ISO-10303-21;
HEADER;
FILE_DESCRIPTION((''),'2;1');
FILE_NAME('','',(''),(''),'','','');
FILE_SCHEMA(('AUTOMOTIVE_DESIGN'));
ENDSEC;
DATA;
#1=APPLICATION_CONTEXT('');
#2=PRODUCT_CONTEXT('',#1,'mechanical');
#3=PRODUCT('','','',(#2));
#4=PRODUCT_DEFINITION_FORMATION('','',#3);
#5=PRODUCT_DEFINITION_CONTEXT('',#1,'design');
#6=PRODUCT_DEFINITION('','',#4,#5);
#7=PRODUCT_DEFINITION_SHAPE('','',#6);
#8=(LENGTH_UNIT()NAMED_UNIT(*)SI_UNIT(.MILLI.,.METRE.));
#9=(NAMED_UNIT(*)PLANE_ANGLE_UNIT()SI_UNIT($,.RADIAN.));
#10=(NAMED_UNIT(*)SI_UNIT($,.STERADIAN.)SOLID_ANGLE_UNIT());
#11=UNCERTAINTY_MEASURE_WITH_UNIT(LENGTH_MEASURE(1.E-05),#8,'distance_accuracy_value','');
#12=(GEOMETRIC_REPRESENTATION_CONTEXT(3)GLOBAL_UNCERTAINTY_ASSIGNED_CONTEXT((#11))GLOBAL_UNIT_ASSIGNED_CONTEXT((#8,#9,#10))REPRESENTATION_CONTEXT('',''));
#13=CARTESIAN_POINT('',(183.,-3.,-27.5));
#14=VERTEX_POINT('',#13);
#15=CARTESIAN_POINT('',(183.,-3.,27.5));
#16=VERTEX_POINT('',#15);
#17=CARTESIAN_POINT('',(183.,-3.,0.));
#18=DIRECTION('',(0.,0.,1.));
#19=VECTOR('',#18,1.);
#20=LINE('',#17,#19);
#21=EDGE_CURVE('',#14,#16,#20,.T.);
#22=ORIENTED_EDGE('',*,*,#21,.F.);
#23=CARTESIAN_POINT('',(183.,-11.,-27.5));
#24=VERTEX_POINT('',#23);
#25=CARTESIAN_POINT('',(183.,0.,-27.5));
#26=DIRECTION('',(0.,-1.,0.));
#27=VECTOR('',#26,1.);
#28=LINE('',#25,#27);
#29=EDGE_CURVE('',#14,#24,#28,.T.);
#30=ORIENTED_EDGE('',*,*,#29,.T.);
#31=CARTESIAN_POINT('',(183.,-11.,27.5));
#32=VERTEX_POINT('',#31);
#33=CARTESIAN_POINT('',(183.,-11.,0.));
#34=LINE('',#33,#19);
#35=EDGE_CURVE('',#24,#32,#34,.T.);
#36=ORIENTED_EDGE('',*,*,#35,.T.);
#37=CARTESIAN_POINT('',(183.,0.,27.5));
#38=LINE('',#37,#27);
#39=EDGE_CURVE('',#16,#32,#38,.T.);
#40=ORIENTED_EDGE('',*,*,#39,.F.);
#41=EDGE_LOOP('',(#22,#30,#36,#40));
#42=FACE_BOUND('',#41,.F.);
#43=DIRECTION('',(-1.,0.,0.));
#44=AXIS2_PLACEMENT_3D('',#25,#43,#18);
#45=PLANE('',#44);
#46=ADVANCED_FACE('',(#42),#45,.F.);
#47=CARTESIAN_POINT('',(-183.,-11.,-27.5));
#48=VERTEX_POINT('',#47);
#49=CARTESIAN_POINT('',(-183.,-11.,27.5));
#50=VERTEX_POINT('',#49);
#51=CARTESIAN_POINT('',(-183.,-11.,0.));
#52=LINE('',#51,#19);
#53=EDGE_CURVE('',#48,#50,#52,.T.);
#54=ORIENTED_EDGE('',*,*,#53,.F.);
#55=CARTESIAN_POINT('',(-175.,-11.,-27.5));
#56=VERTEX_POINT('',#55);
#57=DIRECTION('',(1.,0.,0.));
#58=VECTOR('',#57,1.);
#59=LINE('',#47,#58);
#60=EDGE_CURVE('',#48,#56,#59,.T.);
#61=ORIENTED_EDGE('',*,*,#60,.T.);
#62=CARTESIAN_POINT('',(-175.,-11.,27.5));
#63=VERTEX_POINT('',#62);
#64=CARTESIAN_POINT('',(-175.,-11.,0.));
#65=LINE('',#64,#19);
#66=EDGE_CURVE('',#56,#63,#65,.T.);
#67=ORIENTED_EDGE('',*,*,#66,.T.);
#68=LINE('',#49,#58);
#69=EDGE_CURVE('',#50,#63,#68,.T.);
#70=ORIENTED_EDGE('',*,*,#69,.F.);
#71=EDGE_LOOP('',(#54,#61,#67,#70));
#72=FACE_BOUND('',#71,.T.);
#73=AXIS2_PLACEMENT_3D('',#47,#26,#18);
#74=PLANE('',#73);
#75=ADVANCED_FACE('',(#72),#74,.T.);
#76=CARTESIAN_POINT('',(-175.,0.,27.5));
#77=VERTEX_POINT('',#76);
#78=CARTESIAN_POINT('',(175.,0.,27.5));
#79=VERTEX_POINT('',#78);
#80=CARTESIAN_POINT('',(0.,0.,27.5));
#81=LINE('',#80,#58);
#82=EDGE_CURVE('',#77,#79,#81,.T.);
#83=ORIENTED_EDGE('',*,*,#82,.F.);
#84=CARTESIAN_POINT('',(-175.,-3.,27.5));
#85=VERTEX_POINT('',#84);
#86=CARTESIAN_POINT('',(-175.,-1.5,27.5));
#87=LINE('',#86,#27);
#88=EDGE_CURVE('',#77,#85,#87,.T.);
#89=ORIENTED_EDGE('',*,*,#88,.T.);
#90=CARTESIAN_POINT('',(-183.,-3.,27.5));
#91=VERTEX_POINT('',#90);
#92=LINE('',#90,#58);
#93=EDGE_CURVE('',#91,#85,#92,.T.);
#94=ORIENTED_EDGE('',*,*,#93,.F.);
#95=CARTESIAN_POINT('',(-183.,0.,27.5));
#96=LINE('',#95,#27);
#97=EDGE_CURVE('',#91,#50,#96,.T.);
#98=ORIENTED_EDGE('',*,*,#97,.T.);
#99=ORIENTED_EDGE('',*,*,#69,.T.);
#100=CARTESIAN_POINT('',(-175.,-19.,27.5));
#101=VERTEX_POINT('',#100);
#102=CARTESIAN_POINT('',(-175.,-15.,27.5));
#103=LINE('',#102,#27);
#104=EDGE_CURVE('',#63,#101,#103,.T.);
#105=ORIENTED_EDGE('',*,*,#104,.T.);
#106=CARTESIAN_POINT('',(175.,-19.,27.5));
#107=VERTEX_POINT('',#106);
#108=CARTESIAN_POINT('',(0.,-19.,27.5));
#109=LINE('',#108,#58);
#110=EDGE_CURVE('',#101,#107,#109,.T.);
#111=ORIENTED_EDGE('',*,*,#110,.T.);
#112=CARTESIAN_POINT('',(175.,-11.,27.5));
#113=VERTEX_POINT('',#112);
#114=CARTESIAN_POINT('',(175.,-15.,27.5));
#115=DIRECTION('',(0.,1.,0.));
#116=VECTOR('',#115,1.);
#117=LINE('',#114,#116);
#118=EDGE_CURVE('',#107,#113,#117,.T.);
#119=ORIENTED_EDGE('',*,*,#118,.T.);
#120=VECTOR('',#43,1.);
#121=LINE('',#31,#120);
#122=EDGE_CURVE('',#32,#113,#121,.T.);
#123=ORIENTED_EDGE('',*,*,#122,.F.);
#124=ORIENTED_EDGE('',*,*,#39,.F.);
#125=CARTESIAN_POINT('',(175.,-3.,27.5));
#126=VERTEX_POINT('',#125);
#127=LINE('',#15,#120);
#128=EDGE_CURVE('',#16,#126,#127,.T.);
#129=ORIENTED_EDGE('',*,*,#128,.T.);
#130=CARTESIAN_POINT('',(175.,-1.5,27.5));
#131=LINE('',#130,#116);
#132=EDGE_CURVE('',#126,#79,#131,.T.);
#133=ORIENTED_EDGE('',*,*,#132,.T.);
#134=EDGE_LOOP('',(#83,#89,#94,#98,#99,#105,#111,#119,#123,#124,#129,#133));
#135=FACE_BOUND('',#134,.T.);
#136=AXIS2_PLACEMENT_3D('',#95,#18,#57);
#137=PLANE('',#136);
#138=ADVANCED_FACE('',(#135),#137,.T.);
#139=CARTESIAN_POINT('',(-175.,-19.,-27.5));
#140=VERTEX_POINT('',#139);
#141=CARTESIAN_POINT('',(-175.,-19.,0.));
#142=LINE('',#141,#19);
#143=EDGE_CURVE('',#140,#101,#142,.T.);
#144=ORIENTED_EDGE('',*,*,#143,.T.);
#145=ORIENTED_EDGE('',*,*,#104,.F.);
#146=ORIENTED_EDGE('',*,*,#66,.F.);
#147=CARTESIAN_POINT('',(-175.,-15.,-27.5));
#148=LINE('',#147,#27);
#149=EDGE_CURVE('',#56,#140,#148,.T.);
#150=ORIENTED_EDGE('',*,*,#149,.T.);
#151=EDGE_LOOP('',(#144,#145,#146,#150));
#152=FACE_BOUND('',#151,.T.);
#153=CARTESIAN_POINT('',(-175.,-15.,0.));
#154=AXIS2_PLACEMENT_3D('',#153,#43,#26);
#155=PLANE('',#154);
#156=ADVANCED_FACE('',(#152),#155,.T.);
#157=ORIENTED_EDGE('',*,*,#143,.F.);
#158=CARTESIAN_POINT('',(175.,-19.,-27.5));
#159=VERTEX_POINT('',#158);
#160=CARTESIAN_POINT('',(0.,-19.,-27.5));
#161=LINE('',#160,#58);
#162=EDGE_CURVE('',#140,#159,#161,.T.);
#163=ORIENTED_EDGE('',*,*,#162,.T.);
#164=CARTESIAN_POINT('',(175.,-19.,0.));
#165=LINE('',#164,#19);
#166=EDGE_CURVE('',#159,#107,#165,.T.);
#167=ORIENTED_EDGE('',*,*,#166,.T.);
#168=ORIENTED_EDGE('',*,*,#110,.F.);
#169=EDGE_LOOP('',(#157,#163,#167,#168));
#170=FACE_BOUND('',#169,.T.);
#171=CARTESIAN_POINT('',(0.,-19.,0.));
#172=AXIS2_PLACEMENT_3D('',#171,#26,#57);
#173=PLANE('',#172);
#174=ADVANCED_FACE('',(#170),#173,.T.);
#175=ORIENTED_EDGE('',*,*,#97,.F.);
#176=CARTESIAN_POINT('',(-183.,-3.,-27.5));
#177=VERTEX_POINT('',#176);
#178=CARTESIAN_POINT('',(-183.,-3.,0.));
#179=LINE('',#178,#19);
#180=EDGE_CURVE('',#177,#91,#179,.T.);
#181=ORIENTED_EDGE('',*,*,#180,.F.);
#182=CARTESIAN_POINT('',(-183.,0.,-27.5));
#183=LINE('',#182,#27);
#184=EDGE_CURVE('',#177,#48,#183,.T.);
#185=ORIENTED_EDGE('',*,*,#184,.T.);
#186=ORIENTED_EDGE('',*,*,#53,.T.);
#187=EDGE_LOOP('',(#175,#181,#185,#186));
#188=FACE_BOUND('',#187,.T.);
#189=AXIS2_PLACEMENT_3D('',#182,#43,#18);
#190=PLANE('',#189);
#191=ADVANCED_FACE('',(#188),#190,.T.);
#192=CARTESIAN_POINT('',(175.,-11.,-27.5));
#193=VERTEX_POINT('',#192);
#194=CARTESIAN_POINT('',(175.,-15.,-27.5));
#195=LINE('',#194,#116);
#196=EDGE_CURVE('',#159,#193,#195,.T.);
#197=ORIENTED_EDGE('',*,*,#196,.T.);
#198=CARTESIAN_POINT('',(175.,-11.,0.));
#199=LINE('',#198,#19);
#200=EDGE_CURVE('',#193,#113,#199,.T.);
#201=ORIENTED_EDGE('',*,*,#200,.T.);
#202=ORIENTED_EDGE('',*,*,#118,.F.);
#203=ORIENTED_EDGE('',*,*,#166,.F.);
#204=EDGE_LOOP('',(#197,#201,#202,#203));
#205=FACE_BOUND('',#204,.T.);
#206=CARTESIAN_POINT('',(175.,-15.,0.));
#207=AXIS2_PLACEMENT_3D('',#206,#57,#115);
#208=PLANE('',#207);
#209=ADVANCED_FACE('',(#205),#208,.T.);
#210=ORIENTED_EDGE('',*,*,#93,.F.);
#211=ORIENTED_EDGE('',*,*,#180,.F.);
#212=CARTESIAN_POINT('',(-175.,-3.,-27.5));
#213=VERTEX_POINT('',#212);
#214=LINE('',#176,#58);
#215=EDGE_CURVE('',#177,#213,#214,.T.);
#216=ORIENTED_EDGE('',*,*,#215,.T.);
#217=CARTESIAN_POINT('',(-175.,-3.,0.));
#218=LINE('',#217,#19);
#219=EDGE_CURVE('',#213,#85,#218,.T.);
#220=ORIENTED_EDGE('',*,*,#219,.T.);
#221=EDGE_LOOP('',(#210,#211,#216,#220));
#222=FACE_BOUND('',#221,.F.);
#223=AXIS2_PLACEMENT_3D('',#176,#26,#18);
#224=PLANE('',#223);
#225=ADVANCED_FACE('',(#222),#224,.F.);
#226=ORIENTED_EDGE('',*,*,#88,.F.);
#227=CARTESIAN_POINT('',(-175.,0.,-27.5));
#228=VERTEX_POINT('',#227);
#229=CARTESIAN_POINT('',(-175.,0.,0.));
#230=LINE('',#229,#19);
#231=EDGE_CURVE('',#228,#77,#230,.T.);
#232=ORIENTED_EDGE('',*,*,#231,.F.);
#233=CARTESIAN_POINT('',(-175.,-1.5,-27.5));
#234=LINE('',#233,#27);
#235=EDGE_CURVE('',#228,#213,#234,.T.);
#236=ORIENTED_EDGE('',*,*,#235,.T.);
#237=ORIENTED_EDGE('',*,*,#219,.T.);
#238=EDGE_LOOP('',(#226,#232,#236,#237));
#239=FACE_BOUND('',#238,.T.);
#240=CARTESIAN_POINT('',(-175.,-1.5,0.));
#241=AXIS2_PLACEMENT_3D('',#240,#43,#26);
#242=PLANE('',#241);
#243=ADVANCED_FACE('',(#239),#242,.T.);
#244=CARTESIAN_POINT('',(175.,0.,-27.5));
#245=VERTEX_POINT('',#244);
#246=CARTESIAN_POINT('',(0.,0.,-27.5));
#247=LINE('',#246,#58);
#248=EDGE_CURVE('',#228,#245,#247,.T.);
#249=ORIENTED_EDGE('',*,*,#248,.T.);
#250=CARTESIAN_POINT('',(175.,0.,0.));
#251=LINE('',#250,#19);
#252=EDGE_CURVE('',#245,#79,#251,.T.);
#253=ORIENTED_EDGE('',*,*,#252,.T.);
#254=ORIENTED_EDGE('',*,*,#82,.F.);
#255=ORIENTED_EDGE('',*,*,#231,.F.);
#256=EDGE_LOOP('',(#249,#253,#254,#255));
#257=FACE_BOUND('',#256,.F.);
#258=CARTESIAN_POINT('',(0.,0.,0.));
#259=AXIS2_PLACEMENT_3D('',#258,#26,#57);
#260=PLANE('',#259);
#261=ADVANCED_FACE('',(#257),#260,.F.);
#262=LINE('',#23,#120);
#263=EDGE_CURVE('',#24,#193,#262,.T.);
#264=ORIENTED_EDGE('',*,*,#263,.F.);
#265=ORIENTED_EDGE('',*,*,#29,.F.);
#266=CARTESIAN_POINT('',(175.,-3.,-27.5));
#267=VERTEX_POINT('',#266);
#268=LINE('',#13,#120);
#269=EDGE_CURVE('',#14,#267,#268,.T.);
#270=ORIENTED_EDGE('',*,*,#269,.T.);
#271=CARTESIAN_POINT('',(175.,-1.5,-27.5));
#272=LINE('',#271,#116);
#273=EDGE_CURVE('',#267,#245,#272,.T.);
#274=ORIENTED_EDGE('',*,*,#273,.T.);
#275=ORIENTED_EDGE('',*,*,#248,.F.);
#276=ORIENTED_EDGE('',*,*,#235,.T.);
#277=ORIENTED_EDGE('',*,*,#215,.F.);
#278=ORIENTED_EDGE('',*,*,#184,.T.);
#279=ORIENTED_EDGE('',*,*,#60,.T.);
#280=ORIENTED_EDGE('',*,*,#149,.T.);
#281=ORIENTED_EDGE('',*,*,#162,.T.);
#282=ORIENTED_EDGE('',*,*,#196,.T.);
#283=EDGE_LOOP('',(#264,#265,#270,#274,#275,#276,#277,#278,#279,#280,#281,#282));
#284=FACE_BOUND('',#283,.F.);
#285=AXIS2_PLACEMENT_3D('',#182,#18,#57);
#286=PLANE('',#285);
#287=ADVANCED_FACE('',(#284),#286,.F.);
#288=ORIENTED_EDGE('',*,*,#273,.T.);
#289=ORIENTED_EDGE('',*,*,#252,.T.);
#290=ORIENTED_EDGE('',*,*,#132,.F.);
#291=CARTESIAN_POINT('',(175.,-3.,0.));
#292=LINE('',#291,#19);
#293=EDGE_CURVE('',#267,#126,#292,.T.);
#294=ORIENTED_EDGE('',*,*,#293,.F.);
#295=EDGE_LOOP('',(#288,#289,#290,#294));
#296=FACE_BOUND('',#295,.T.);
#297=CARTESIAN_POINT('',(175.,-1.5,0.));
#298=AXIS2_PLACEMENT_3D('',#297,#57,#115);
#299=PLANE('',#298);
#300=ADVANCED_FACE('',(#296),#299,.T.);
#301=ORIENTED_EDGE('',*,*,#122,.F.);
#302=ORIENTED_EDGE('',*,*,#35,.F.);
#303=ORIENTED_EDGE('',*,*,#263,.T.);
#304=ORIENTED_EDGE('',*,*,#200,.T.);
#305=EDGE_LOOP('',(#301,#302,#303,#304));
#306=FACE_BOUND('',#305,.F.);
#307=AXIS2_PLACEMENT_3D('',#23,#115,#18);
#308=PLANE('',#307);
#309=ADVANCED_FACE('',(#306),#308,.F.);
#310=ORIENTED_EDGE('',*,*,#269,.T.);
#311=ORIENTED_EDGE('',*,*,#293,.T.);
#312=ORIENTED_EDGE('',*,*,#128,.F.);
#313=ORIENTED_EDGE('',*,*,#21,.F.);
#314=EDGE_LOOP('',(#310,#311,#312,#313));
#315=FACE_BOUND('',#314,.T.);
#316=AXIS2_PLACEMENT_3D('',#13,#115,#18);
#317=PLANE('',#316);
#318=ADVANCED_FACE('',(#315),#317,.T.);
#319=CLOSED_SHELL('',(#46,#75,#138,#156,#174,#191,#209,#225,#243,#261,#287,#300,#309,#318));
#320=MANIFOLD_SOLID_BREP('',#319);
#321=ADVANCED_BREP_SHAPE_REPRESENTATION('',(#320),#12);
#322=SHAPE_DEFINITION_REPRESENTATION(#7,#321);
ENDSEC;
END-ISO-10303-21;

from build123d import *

# Parameters (mm, degrees)
F0_W     = 366
F0_H     = 55
F1_DEPTH = 19
F2_W     = 8
F2_H     = 55
F2_W_2   = 3
F3_DEPTH = 8
F4_W     = 8
F4_H     = 55
F4_W_2   = 3
F5_DEPTH = 8


with BuildPart() as f1:
    # F0 (on Front) → F1 (new body)
    with BuildSketch(Plane.XZ):
        Rectangle(F0_W, F0_H)
    extrude(amount=F1_DEPTH)

    # F2 (on face) → F3 (cut)
    with BuildSketch(Plane.YZ.offset(183)):
        with Locations((-15, 0)):
            Rectangle(F2_W, F2_H)
        with Locations((-1.5, 0)):
            Rectangle(F2_W_2, F2_H)
    extrude(amount=-F3_DEPTH, mode=Mode.SUBTRACT)

    # F4 (on face) → F5 (cut)
    with BuildSketch(Plane(origin=(-183, 0, 0), x_dir=(0, -1, 0), z_dir=(-1, 0, 0))):
        with Locations((15, 0)):
            Rectangle(F4_W, F4_H)
        with Locations((1.5, 0)):
            Rectangle(F4_W_2, F4_H)
    extrude(amount=-F5_DEPTH, mode=Mode.SUBTRACT)


solid = f1.part
